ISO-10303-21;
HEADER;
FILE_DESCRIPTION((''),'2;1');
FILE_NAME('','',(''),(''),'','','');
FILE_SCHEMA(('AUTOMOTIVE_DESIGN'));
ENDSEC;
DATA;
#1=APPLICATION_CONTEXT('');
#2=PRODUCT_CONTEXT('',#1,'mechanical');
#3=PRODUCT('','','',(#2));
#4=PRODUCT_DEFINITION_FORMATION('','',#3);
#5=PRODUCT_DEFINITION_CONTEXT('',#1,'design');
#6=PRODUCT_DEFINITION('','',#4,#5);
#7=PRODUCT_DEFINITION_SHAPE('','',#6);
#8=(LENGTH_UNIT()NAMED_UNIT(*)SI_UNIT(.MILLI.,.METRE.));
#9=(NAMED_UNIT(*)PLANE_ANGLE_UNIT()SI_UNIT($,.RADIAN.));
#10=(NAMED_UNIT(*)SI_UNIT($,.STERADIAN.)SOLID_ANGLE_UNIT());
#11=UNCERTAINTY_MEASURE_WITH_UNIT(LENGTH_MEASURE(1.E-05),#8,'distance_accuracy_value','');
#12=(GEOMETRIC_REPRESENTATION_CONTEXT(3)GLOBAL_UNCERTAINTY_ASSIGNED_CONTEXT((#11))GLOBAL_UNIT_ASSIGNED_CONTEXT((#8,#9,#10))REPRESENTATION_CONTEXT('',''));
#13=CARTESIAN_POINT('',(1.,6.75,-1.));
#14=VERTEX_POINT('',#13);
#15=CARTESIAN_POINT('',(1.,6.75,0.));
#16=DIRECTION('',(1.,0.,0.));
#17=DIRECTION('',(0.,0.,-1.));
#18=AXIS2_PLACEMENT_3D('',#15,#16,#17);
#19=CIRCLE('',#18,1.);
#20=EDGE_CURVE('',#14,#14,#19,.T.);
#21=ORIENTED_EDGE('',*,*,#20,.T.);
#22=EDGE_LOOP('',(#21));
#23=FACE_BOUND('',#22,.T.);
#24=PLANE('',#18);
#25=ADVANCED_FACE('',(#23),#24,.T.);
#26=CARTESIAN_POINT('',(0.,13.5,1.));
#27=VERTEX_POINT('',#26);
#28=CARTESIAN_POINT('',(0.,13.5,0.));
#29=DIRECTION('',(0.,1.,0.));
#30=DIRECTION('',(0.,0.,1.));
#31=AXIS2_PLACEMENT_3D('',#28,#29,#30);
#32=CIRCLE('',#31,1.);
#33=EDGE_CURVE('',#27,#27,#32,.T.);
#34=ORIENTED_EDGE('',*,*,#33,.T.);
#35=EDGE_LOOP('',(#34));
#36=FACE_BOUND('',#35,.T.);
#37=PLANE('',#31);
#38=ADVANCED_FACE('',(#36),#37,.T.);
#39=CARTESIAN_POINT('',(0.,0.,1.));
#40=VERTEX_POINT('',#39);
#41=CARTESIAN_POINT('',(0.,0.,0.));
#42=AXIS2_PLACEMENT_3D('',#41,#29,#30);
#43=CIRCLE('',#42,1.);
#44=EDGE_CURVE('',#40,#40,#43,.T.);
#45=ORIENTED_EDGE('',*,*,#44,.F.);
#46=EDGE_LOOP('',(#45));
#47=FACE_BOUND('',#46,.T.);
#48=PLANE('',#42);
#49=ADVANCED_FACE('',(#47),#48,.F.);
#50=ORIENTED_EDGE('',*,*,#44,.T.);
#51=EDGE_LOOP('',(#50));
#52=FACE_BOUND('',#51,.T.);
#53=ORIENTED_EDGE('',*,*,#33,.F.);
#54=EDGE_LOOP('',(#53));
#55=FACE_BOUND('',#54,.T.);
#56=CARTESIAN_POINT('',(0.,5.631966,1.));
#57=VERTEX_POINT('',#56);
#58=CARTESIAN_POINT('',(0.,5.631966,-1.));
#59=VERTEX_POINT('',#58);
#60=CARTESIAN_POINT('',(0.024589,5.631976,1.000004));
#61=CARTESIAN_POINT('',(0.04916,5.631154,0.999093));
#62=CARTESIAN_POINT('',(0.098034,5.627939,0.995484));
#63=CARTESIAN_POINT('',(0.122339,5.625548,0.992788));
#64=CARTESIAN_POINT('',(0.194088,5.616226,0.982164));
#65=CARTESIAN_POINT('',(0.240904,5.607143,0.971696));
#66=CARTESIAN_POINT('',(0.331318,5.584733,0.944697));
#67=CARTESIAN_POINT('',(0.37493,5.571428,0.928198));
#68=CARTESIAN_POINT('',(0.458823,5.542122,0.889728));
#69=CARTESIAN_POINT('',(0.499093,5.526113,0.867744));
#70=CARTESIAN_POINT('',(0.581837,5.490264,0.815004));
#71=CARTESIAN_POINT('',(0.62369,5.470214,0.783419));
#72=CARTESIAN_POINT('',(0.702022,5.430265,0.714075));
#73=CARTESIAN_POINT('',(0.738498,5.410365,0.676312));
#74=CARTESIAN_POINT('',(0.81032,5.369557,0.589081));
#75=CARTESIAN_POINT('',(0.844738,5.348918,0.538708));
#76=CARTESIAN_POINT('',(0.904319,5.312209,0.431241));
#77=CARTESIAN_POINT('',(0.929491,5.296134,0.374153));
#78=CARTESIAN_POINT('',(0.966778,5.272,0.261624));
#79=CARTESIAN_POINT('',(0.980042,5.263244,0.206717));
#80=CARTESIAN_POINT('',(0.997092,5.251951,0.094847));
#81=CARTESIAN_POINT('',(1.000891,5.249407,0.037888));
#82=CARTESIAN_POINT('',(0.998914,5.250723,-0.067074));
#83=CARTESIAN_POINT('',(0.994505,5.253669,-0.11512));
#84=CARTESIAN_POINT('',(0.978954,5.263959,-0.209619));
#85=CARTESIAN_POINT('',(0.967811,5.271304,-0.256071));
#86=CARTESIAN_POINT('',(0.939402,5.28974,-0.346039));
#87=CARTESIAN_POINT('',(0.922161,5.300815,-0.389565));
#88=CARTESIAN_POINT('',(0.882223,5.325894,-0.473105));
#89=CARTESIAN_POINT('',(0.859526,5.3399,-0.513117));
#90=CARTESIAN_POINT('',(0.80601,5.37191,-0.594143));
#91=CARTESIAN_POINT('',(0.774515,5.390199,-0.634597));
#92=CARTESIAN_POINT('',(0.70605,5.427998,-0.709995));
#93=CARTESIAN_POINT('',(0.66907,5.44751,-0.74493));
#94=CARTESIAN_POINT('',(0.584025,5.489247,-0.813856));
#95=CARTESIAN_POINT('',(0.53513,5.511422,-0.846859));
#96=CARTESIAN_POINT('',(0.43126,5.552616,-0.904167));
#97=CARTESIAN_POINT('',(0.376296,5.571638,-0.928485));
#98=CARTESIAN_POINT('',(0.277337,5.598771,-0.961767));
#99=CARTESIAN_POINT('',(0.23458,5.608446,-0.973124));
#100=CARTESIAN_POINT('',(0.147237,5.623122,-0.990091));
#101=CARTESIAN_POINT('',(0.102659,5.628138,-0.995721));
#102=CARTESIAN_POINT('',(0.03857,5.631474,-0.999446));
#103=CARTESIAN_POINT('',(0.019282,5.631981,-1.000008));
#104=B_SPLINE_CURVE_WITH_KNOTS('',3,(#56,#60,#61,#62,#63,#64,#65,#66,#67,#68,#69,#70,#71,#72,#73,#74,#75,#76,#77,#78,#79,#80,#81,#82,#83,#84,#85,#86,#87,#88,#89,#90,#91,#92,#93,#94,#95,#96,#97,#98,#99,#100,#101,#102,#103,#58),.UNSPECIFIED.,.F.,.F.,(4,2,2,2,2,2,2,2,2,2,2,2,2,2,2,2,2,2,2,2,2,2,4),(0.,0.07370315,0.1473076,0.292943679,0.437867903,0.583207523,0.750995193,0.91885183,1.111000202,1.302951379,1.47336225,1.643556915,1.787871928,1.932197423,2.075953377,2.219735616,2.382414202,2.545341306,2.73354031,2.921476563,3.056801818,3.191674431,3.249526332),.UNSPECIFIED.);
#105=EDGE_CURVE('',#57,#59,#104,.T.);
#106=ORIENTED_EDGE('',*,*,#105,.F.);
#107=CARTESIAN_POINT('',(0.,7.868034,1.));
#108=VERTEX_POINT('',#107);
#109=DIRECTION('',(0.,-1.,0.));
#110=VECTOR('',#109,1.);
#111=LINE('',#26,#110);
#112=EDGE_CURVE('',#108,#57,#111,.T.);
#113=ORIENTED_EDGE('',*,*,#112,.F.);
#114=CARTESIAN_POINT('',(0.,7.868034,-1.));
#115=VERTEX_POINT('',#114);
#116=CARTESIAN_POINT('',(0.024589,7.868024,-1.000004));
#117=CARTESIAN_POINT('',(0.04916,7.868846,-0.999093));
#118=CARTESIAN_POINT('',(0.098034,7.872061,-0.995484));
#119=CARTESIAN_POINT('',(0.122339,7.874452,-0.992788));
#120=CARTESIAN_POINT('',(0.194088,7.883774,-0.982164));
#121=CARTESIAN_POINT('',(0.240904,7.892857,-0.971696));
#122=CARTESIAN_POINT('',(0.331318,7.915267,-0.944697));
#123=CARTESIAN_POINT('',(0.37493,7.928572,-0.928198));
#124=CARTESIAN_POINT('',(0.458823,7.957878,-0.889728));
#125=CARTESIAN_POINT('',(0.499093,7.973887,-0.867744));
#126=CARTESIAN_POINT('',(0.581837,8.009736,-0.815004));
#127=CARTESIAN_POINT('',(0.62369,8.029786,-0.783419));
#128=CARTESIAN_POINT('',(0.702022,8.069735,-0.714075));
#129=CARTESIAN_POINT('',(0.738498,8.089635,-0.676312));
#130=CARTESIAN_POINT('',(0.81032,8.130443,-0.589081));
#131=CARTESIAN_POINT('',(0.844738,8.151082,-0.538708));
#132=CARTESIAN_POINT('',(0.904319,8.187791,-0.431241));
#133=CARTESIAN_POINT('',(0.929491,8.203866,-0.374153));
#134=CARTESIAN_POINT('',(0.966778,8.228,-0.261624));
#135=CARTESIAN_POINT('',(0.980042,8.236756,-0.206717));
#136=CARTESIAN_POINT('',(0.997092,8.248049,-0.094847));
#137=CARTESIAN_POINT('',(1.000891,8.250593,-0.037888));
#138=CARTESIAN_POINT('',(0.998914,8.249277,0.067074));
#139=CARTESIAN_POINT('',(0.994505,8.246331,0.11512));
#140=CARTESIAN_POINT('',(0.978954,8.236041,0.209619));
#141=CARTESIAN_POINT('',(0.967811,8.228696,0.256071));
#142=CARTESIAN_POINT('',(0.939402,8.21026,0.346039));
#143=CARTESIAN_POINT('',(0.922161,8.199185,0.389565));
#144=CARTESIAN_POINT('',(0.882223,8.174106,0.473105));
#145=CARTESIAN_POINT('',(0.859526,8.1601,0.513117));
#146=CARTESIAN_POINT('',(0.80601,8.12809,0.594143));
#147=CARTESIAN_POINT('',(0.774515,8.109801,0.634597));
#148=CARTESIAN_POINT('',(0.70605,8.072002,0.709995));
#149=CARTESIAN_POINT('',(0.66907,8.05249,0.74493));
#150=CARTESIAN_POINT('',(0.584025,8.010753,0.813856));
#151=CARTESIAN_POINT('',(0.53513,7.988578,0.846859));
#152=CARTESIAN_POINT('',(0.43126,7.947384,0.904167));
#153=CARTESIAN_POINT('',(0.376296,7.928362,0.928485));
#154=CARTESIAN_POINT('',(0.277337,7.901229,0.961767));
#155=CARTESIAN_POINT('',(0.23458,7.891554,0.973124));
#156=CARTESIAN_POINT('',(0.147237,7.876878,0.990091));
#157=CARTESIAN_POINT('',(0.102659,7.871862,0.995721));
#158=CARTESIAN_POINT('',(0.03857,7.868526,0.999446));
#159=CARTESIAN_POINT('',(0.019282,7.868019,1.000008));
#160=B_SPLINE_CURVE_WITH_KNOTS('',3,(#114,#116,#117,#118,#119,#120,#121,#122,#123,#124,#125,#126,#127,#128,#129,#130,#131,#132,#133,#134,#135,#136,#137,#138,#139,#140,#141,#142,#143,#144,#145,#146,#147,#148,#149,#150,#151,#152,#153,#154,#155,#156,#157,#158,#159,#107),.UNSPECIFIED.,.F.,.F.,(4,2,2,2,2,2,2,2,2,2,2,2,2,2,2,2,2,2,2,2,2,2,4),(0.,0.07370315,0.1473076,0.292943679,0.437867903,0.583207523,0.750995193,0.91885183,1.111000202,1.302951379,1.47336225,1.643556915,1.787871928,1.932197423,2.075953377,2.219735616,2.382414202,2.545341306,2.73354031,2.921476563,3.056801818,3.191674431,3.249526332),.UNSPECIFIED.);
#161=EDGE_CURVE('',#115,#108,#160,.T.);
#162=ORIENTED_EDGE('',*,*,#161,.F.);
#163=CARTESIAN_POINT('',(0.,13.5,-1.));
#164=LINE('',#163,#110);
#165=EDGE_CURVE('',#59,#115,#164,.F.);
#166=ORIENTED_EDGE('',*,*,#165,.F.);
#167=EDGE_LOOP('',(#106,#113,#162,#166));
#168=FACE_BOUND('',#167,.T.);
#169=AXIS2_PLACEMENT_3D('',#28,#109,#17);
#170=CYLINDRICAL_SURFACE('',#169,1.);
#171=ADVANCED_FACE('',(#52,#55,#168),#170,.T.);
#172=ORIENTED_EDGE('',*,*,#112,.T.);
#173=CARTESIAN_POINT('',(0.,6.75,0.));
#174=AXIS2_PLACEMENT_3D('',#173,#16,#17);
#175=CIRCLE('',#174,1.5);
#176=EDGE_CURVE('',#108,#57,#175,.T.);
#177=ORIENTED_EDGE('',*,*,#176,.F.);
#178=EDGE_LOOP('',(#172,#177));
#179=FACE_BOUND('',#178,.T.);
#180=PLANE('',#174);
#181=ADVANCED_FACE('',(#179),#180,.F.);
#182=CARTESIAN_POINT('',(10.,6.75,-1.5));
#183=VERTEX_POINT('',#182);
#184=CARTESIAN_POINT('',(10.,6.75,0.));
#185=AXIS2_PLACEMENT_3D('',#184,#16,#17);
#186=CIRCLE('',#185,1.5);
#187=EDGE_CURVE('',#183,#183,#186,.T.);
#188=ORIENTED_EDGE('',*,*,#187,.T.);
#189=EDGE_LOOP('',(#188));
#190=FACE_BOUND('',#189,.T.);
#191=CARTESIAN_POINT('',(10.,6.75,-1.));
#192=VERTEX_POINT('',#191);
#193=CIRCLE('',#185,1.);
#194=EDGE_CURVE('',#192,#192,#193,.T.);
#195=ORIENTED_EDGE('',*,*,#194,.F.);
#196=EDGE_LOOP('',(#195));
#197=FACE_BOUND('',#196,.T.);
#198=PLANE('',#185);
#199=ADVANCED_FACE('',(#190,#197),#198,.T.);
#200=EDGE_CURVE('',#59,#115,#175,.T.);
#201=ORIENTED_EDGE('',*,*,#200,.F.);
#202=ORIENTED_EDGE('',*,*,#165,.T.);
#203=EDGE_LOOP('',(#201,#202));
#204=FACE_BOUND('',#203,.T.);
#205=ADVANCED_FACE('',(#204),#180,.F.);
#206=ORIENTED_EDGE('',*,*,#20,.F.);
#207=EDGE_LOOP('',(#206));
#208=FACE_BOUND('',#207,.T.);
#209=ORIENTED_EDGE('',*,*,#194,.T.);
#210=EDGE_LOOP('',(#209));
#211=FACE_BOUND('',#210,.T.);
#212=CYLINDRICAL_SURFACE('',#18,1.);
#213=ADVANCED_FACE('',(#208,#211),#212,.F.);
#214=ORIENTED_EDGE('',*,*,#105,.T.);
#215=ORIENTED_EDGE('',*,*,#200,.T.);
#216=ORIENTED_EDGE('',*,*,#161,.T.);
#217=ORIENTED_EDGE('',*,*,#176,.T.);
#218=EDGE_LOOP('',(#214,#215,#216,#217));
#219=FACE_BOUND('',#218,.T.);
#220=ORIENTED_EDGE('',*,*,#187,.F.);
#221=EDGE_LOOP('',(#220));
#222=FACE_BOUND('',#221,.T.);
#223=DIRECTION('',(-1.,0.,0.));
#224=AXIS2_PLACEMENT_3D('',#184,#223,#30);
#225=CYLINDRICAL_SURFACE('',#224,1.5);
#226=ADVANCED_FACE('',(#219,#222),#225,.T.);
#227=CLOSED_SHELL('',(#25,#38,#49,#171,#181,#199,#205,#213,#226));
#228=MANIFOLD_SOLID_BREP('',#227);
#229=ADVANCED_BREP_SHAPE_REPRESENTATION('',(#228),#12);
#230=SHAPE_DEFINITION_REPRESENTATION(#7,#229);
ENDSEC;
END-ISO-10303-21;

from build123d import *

# Parameters (mm, degrees)
SKETCH_1_R           = 1
EXTRUDE_1_DEPTH      = 13.5
SKETCH_4_R           = 1.5
EXTRUDE_3_DEPTH      = 10
SKETCH_7_R           = 1
CUT_EXTRUDE_15_DEPTH = 9


with BuildPart() as part:
    # 草图1 → 凸台-拉伸1 (new body)
    with BuildSketch(Plane(origin=(0, 0, 0), x_dir=(1, 0, 0), z_dir=(0, 1, 0))):
        Circle(SKETCH_1_R)
    extrude(amount=EXTRUDE_1_DEPTH)

    # 草图4 → 凸台-拉伸3 (add)
    with BuildSketch(Plane(origin=(0, 0, 0), x_dir=(0, 0, -1), z_dir=(1, 0, 0))):
        with Locations((0, 6.75)):
            Circle(SKETCH_4_R)
    extrude(amount=EXTRUDE_3_DEPTH)

    # 草图7 → 切除-拉伸15 (cut)
    with BuildSketch(Plane(origin=(10, 0, 0), x_dir=(0, 0, -1), z_dir=(1, 0, 0))):
        with Locations((0, 6.75)):
            Circle(SKETCH_7_R)
    extrude(amount=-CUT_EXTRUDE_15_DEPTH, mode=Mode.SUBTRACT)


solid = part.part
